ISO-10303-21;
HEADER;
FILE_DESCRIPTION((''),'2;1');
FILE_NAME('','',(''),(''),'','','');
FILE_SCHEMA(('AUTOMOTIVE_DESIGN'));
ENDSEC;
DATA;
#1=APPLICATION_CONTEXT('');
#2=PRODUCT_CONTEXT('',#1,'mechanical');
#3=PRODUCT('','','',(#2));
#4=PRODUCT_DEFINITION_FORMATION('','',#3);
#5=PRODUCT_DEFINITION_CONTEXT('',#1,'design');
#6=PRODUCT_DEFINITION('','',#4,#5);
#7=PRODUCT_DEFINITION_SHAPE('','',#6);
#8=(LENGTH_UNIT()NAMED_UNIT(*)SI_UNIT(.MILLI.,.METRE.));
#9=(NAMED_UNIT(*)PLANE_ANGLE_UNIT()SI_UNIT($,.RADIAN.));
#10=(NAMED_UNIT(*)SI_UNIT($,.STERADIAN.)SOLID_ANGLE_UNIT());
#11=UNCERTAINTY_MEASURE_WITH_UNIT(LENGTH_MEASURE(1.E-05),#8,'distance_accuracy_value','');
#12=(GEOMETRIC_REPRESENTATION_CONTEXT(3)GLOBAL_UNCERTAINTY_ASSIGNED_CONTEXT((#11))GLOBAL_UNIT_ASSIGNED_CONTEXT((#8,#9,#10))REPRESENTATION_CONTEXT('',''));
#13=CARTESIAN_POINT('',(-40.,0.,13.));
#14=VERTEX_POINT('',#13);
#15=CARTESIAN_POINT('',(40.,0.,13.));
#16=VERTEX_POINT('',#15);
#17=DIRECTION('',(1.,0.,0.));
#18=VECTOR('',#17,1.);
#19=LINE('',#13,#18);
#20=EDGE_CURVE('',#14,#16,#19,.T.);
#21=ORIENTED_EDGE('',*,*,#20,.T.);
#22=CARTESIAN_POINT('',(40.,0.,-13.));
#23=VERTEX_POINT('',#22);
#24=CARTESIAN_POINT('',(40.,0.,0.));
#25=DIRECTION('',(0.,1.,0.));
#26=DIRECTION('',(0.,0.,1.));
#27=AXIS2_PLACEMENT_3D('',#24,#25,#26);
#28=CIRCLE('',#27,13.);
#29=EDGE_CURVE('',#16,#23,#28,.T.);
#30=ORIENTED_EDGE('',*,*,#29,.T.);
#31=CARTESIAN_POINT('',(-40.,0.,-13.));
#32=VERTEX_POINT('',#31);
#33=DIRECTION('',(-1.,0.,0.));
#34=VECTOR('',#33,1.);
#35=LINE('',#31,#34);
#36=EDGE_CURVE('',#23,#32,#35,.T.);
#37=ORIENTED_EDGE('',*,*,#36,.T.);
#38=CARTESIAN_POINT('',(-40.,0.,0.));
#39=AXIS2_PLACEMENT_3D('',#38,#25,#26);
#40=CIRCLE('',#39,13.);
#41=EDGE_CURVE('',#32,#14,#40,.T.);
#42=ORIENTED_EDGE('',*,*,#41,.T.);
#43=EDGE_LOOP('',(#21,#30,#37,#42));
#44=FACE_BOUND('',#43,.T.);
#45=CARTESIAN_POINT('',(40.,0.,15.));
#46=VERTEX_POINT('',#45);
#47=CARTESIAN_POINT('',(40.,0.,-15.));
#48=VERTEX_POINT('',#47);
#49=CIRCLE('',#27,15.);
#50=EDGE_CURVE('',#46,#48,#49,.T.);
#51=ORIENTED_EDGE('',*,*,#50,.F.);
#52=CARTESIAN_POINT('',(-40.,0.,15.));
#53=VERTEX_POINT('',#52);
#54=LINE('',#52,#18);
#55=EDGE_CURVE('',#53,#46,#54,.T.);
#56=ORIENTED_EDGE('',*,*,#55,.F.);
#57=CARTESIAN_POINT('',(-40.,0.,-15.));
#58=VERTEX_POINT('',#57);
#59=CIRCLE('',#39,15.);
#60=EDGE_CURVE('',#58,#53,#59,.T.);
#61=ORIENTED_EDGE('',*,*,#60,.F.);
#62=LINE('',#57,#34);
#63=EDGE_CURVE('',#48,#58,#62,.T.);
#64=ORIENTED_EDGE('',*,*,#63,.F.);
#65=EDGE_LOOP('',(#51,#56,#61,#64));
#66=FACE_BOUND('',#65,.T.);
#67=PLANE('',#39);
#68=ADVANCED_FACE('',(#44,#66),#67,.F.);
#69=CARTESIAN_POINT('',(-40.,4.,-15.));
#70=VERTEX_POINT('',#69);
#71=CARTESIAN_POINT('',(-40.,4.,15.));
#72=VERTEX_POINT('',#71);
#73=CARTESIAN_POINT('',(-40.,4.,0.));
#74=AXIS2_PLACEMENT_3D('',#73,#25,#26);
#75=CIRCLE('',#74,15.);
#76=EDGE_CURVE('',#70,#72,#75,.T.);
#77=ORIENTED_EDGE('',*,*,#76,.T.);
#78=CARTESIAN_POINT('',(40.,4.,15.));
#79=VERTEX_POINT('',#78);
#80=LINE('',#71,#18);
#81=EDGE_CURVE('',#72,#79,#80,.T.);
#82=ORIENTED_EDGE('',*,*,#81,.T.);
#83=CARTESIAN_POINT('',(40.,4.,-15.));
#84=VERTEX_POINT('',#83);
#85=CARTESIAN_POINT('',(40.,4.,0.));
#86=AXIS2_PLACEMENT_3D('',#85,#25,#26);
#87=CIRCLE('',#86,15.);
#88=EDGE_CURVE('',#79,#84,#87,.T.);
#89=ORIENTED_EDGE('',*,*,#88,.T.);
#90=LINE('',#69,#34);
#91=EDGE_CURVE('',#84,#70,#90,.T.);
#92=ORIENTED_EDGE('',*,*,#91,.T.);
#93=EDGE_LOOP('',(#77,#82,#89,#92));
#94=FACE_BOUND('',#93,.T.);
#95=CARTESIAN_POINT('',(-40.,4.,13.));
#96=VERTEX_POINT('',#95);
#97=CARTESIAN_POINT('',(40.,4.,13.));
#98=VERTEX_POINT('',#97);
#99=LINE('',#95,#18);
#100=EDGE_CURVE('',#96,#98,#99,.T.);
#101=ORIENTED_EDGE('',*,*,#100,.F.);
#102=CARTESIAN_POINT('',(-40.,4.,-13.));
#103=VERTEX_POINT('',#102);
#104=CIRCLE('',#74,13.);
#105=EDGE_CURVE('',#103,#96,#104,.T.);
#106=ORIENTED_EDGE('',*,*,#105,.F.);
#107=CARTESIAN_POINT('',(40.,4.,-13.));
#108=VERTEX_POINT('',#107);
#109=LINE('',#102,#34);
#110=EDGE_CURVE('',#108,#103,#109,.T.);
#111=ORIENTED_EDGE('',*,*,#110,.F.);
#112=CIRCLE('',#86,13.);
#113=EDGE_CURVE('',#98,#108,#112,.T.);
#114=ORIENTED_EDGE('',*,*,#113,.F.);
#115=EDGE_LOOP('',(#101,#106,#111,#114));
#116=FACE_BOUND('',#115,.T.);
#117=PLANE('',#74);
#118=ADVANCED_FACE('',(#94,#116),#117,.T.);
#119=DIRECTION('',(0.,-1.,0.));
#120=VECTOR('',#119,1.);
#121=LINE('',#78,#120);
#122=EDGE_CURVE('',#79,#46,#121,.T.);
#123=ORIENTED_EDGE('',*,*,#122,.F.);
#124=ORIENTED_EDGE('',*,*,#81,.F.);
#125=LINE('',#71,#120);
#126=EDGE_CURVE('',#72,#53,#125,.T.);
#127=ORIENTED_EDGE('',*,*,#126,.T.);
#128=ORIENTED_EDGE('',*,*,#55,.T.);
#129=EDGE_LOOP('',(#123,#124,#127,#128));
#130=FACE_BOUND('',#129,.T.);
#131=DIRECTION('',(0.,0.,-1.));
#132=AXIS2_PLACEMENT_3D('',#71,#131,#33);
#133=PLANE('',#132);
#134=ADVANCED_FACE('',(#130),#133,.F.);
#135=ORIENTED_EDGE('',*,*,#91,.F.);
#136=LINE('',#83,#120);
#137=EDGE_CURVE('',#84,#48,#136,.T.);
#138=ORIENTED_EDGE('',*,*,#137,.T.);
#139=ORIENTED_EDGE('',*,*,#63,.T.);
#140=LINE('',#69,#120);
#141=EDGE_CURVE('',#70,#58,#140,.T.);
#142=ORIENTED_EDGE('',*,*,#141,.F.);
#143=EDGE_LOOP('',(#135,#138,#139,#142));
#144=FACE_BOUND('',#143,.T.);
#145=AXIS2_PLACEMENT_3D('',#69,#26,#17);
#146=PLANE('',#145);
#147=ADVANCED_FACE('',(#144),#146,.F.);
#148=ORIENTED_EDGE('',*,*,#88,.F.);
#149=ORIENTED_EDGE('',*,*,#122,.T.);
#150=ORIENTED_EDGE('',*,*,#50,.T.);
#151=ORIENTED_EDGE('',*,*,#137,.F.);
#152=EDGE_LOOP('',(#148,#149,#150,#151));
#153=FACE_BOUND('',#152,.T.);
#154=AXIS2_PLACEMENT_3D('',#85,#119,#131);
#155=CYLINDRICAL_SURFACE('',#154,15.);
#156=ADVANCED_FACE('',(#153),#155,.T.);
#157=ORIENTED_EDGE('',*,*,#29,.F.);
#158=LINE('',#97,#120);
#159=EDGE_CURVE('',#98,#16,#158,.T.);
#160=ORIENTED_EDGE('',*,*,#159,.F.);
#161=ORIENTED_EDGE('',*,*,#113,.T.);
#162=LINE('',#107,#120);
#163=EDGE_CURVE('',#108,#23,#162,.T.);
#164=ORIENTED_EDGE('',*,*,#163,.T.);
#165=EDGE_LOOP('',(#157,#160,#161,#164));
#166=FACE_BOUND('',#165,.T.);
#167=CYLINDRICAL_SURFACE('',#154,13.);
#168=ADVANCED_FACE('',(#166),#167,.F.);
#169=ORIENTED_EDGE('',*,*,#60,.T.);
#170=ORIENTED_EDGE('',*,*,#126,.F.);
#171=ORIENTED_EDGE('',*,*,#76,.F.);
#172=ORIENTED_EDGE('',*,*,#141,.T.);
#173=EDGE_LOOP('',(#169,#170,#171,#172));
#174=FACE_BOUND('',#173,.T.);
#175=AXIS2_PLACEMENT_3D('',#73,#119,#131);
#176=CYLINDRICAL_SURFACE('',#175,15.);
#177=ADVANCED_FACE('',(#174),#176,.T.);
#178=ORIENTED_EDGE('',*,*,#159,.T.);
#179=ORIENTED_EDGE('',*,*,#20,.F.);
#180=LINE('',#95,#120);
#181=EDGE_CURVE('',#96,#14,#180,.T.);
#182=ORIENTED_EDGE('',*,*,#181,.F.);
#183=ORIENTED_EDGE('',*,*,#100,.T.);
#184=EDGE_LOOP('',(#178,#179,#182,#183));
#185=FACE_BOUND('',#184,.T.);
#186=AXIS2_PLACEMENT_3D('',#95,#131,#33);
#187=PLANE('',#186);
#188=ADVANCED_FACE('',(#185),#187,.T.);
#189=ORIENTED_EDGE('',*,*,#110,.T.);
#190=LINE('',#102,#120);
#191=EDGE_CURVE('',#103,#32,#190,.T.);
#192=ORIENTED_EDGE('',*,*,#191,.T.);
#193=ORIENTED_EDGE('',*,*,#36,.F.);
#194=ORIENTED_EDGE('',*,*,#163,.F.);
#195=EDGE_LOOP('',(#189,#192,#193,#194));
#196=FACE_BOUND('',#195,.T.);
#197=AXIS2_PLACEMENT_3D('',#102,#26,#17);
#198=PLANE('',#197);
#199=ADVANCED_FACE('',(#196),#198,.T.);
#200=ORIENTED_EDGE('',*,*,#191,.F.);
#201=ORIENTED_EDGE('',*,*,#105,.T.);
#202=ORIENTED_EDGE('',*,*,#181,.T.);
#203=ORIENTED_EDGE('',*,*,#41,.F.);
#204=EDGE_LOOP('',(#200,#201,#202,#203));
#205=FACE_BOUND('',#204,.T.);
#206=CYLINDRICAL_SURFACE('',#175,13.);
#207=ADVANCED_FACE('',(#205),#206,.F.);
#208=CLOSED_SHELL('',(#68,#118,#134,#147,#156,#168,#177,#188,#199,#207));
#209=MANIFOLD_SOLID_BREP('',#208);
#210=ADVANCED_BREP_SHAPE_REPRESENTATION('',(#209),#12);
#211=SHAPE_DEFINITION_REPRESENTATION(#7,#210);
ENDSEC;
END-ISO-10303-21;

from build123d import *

# Parameters (mm, degrees)
BOSS_EXTRUDE1_DEPTH = 4


with BuildPart() as part:
    # Sketch1 → Boss-Extrude1 (new body)
    with BuildSketch(Plane(origin=(0, 0, 0), x_dir=(1, 0, 0), z_dir=(0, 1, 0))):
        with BuildLine():
            Line((-40, 15), (40, 15))
            ThreePointArc((40, 15), (55, 0), (40, -15))
            Line((40, -15), (-40, -15))
            ThreePointArc((-40, -15), (-55, 0), (-40, 15))
        make_face()
        with BuildLine():
            Line((-40, 13), (40, 13))
            ThreePointArc((40, 13), (53, 0), (40, -13))
            Line((40, -13), (-40, -13))
            ThreePointArc((-40, -13), (-53, 0), (-40, 13))
        make_face(mode=Mode.SUBTRACT)
    extrude(amount=BOSS_EXTRUDE1_DEPTH)


solid = part.part
